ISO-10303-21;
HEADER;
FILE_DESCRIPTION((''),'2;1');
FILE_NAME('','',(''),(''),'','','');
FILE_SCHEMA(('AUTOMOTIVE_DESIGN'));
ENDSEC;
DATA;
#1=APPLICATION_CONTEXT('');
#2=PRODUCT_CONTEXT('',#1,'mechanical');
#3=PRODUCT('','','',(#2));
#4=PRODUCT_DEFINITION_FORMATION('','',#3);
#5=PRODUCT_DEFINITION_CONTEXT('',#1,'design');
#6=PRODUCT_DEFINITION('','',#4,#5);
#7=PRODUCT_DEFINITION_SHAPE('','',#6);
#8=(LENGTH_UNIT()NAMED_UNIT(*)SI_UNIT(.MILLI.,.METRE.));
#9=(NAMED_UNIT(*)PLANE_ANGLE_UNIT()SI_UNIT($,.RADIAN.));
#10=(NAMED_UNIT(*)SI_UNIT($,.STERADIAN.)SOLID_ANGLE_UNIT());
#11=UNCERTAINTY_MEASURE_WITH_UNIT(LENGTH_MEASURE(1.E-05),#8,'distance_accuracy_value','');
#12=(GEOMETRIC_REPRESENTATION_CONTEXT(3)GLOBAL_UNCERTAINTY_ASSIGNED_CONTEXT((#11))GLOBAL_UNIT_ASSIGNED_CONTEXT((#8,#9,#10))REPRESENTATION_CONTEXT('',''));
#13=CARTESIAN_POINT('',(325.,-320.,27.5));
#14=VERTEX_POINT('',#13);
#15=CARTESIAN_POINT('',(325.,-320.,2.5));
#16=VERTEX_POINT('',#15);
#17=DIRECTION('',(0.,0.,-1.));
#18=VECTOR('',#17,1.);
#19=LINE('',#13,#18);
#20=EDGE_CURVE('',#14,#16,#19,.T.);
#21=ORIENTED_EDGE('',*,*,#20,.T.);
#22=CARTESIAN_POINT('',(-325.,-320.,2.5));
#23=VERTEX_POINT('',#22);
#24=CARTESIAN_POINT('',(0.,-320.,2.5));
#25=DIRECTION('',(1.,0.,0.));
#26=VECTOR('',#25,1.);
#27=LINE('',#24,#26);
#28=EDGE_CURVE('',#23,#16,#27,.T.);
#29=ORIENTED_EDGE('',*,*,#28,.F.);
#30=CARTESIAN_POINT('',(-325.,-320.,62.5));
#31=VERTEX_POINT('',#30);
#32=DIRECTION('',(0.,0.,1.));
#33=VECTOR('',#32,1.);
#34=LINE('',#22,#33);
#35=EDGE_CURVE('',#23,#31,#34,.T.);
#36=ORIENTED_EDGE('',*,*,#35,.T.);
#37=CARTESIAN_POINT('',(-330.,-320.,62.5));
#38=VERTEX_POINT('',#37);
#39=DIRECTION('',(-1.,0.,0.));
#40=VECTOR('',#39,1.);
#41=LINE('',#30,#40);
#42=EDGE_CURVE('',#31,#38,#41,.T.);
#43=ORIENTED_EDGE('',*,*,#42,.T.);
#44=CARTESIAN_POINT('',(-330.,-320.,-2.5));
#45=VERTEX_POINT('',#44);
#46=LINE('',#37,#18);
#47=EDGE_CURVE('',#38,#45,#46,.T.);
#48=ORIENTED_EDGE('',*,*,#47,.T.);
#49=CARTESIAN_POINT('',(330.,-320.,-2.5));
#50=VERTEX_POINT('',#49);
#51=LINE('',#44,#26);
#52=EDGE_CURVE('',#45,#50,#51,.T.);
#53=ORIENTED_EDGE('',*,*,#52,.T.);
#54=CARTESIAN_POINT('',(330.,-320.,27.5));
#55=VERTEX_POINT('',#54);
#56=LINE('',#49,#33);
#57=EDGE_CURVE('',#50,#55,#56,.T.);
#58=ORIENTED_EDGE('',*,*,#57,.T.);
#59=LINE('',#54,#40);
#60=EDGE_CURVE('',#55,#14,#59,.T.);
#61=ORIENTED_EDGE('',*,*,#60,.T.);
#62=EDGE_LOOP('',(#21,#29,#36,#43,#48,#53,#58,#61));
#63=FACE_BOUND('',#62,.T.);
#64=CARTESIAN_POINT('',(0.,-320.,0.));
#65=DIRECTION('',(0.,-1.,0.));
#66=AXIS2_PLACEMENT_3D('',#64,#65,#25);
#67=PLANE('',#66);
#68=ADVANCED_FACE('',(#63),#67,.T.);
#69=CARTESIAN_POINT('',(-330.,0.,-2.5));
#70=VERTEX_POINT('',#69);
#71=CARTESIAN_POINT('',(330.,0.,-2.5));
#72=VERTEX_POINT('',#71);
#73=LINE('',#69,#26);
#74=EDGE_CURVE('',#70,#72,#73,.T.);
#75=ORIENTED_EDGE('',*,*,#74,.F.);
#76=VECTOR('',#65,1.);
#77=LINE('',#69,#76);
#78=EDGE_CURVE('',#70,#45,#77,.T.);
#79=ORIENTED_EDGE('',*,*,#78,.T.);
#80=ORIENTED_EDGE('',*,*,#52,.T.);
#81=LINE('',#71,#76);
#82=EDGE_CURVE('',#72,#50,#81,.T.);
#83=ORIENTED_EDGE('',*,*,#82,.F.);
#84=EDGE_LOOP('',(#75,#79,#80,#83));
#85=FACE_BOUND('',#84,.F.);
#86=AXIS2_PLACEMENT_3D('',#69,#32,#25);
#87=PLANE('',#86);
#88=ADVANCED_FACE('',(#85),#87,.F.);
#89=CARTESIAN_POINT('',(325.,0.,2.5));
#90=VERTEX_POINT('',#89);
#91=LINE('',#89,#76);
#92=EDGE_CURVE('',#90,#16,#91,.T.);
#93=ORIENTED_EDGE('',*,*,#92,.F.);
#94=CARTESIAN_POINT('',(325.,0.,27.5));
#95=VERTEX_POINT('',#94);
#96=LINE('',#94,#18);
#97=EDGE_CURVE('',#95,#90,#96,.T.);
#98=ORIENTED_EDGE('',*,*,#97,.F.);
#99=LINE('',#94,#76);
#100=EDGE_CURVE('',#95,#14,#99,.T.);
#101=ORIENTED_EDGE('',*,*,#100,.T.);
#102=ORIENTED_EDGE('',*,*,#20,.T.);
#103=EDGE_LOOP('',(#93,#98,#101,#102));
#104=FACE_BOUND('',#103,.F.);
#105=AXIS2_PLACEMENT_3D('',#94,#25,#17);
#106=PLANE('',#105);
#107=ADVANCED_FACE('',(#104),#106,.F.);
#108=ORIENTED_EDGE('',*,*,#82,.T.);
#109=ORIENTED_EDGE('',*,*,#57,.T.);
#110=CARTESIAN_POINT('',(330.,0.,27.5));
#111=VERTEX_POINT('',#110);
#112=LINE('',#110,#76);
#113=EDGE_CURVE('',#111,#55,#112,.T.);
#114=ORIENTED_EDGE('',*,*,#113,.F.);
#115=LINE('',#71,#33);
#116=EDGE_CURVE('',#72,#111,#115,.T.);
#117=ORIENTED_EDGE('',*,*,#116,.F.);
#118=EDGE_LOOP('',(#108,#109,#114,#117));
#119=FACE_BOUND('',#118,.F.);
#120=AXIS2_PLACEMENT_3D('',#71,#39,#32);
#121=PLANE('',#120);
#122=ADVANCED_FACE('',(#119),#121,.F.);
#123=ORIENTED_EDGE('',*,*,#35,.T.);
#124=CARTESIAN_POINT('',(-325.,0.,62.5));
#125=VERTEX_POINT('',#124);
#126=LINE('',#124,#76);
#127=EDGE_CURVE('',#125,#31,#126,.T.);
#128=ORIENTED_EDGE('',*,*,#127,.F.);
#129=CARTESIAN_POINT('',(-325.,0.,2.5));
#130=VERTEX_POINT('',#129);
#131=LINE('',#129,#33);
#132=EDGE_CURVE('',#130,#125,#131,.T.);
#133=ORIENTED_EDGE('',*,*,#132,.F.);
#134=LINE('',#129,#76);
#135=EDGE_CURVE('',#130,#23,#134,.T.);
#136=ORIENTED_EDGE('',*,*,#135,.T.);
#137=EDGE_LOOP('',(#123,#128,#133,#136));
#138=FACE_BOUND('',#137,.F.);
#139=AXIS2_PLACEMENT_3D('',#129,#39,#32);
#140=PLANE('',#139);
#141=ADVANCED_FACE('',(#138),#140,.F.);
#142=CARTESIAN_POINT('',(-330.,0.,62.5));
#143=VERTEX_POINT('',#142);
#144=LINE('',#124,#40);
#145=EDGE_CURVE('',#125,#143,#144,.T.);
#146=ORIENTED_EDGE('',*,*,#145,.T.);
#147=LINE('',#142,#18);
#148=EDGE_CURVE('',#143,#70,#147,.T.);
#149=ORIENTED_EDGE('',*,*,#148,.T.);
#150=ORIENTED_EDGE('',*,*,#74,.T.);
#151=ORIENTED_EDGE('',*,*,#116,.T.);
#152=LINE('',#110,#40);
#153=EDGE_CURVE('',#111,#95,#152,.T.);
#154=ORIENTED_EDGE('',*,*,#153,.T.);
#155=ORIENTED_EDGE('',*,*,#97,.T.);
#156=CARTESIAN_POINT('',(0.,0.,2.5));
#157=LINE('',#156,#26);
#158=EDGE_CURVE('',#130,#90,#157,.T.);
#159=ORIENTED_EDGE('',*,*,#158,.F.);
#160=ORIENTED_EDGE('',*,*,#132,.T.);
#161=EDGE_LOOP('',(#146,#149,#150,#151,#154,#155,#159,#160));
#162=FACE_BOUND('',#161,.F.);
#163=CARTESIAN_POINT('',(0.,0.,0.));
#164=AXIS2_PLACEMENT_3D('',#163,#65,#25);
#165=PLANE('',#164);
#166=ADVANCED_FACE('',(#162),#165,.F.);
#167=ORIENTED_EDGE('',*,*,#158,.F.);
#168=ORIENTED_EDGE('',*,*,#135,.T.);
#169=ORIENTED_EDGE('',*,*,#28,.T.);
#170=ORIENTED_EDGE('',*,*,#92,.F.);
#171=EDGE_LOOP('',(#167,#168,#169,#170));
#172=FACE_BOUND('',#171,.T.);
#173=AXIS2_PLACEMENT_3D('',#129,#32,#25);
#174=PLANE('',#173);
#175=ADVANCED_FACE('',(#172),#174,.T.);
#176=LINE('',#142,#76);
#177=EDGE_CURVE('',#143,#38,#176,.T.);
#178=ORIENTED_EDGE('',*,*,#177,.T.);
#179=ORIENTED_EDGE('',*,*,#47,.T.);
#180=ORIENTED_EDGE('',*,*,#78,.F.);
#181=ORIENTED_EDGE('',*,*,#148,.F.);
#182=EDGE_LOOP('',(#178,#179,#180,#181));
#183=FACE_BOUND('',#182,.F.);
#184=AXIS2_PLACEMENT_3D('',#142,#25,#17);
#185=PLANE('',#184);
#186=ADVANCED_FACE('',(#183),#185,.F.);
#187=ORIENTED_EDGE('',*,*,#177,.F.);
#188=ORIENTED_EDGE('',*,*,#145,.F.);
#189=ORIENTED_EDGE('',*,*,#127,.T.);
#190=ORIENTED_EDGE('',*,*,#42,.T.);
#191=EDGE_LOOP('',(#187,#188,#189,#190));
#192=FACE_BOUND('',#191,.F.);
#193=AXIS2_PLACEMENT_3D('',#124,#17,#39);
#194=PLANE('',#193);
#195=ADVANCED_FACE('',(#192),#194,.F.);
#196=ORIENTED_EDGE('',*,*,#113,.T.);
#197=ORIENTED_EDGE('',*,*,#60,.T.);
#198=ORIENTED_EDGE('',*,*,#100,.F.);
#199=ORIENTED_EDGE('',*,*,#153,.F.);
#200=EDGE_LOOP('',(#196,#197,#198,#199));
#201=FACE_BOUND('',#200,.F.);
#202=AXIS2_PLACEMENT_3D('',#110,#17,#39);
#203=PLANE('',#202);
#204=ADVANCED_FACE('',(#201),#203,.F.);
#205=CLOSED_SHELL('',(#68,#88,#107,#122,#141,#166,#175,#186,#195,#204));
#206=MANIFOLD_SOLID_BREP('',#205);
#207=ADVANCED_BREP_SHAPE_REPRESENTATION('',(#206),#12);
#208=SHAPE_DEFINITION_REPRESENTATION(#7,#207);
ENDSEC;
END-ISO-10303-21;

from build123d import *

# Parameters (mm, degrees)
F0_W     = 650
F0_H     = 5
F1_DEPTH = 320


with BuildPart() as f1:
    # F0 (on Front) → F1 (new body)
    with BuildSketch(Plane.XZ):
        Rectangle(F0_W, F0_H)
        Polygon((325, 2.5), (325, -2.5), (330, -2.5), (330, 27.5), (325, 27.5), align=None)
        Polygon((-330, -2.5), (-325, -2.5), (-325, 2.5), (-325, 62.5), (-330, 62.5), align=None)
    extrude(amount=F1_DEPTH)


solid = f1.part
